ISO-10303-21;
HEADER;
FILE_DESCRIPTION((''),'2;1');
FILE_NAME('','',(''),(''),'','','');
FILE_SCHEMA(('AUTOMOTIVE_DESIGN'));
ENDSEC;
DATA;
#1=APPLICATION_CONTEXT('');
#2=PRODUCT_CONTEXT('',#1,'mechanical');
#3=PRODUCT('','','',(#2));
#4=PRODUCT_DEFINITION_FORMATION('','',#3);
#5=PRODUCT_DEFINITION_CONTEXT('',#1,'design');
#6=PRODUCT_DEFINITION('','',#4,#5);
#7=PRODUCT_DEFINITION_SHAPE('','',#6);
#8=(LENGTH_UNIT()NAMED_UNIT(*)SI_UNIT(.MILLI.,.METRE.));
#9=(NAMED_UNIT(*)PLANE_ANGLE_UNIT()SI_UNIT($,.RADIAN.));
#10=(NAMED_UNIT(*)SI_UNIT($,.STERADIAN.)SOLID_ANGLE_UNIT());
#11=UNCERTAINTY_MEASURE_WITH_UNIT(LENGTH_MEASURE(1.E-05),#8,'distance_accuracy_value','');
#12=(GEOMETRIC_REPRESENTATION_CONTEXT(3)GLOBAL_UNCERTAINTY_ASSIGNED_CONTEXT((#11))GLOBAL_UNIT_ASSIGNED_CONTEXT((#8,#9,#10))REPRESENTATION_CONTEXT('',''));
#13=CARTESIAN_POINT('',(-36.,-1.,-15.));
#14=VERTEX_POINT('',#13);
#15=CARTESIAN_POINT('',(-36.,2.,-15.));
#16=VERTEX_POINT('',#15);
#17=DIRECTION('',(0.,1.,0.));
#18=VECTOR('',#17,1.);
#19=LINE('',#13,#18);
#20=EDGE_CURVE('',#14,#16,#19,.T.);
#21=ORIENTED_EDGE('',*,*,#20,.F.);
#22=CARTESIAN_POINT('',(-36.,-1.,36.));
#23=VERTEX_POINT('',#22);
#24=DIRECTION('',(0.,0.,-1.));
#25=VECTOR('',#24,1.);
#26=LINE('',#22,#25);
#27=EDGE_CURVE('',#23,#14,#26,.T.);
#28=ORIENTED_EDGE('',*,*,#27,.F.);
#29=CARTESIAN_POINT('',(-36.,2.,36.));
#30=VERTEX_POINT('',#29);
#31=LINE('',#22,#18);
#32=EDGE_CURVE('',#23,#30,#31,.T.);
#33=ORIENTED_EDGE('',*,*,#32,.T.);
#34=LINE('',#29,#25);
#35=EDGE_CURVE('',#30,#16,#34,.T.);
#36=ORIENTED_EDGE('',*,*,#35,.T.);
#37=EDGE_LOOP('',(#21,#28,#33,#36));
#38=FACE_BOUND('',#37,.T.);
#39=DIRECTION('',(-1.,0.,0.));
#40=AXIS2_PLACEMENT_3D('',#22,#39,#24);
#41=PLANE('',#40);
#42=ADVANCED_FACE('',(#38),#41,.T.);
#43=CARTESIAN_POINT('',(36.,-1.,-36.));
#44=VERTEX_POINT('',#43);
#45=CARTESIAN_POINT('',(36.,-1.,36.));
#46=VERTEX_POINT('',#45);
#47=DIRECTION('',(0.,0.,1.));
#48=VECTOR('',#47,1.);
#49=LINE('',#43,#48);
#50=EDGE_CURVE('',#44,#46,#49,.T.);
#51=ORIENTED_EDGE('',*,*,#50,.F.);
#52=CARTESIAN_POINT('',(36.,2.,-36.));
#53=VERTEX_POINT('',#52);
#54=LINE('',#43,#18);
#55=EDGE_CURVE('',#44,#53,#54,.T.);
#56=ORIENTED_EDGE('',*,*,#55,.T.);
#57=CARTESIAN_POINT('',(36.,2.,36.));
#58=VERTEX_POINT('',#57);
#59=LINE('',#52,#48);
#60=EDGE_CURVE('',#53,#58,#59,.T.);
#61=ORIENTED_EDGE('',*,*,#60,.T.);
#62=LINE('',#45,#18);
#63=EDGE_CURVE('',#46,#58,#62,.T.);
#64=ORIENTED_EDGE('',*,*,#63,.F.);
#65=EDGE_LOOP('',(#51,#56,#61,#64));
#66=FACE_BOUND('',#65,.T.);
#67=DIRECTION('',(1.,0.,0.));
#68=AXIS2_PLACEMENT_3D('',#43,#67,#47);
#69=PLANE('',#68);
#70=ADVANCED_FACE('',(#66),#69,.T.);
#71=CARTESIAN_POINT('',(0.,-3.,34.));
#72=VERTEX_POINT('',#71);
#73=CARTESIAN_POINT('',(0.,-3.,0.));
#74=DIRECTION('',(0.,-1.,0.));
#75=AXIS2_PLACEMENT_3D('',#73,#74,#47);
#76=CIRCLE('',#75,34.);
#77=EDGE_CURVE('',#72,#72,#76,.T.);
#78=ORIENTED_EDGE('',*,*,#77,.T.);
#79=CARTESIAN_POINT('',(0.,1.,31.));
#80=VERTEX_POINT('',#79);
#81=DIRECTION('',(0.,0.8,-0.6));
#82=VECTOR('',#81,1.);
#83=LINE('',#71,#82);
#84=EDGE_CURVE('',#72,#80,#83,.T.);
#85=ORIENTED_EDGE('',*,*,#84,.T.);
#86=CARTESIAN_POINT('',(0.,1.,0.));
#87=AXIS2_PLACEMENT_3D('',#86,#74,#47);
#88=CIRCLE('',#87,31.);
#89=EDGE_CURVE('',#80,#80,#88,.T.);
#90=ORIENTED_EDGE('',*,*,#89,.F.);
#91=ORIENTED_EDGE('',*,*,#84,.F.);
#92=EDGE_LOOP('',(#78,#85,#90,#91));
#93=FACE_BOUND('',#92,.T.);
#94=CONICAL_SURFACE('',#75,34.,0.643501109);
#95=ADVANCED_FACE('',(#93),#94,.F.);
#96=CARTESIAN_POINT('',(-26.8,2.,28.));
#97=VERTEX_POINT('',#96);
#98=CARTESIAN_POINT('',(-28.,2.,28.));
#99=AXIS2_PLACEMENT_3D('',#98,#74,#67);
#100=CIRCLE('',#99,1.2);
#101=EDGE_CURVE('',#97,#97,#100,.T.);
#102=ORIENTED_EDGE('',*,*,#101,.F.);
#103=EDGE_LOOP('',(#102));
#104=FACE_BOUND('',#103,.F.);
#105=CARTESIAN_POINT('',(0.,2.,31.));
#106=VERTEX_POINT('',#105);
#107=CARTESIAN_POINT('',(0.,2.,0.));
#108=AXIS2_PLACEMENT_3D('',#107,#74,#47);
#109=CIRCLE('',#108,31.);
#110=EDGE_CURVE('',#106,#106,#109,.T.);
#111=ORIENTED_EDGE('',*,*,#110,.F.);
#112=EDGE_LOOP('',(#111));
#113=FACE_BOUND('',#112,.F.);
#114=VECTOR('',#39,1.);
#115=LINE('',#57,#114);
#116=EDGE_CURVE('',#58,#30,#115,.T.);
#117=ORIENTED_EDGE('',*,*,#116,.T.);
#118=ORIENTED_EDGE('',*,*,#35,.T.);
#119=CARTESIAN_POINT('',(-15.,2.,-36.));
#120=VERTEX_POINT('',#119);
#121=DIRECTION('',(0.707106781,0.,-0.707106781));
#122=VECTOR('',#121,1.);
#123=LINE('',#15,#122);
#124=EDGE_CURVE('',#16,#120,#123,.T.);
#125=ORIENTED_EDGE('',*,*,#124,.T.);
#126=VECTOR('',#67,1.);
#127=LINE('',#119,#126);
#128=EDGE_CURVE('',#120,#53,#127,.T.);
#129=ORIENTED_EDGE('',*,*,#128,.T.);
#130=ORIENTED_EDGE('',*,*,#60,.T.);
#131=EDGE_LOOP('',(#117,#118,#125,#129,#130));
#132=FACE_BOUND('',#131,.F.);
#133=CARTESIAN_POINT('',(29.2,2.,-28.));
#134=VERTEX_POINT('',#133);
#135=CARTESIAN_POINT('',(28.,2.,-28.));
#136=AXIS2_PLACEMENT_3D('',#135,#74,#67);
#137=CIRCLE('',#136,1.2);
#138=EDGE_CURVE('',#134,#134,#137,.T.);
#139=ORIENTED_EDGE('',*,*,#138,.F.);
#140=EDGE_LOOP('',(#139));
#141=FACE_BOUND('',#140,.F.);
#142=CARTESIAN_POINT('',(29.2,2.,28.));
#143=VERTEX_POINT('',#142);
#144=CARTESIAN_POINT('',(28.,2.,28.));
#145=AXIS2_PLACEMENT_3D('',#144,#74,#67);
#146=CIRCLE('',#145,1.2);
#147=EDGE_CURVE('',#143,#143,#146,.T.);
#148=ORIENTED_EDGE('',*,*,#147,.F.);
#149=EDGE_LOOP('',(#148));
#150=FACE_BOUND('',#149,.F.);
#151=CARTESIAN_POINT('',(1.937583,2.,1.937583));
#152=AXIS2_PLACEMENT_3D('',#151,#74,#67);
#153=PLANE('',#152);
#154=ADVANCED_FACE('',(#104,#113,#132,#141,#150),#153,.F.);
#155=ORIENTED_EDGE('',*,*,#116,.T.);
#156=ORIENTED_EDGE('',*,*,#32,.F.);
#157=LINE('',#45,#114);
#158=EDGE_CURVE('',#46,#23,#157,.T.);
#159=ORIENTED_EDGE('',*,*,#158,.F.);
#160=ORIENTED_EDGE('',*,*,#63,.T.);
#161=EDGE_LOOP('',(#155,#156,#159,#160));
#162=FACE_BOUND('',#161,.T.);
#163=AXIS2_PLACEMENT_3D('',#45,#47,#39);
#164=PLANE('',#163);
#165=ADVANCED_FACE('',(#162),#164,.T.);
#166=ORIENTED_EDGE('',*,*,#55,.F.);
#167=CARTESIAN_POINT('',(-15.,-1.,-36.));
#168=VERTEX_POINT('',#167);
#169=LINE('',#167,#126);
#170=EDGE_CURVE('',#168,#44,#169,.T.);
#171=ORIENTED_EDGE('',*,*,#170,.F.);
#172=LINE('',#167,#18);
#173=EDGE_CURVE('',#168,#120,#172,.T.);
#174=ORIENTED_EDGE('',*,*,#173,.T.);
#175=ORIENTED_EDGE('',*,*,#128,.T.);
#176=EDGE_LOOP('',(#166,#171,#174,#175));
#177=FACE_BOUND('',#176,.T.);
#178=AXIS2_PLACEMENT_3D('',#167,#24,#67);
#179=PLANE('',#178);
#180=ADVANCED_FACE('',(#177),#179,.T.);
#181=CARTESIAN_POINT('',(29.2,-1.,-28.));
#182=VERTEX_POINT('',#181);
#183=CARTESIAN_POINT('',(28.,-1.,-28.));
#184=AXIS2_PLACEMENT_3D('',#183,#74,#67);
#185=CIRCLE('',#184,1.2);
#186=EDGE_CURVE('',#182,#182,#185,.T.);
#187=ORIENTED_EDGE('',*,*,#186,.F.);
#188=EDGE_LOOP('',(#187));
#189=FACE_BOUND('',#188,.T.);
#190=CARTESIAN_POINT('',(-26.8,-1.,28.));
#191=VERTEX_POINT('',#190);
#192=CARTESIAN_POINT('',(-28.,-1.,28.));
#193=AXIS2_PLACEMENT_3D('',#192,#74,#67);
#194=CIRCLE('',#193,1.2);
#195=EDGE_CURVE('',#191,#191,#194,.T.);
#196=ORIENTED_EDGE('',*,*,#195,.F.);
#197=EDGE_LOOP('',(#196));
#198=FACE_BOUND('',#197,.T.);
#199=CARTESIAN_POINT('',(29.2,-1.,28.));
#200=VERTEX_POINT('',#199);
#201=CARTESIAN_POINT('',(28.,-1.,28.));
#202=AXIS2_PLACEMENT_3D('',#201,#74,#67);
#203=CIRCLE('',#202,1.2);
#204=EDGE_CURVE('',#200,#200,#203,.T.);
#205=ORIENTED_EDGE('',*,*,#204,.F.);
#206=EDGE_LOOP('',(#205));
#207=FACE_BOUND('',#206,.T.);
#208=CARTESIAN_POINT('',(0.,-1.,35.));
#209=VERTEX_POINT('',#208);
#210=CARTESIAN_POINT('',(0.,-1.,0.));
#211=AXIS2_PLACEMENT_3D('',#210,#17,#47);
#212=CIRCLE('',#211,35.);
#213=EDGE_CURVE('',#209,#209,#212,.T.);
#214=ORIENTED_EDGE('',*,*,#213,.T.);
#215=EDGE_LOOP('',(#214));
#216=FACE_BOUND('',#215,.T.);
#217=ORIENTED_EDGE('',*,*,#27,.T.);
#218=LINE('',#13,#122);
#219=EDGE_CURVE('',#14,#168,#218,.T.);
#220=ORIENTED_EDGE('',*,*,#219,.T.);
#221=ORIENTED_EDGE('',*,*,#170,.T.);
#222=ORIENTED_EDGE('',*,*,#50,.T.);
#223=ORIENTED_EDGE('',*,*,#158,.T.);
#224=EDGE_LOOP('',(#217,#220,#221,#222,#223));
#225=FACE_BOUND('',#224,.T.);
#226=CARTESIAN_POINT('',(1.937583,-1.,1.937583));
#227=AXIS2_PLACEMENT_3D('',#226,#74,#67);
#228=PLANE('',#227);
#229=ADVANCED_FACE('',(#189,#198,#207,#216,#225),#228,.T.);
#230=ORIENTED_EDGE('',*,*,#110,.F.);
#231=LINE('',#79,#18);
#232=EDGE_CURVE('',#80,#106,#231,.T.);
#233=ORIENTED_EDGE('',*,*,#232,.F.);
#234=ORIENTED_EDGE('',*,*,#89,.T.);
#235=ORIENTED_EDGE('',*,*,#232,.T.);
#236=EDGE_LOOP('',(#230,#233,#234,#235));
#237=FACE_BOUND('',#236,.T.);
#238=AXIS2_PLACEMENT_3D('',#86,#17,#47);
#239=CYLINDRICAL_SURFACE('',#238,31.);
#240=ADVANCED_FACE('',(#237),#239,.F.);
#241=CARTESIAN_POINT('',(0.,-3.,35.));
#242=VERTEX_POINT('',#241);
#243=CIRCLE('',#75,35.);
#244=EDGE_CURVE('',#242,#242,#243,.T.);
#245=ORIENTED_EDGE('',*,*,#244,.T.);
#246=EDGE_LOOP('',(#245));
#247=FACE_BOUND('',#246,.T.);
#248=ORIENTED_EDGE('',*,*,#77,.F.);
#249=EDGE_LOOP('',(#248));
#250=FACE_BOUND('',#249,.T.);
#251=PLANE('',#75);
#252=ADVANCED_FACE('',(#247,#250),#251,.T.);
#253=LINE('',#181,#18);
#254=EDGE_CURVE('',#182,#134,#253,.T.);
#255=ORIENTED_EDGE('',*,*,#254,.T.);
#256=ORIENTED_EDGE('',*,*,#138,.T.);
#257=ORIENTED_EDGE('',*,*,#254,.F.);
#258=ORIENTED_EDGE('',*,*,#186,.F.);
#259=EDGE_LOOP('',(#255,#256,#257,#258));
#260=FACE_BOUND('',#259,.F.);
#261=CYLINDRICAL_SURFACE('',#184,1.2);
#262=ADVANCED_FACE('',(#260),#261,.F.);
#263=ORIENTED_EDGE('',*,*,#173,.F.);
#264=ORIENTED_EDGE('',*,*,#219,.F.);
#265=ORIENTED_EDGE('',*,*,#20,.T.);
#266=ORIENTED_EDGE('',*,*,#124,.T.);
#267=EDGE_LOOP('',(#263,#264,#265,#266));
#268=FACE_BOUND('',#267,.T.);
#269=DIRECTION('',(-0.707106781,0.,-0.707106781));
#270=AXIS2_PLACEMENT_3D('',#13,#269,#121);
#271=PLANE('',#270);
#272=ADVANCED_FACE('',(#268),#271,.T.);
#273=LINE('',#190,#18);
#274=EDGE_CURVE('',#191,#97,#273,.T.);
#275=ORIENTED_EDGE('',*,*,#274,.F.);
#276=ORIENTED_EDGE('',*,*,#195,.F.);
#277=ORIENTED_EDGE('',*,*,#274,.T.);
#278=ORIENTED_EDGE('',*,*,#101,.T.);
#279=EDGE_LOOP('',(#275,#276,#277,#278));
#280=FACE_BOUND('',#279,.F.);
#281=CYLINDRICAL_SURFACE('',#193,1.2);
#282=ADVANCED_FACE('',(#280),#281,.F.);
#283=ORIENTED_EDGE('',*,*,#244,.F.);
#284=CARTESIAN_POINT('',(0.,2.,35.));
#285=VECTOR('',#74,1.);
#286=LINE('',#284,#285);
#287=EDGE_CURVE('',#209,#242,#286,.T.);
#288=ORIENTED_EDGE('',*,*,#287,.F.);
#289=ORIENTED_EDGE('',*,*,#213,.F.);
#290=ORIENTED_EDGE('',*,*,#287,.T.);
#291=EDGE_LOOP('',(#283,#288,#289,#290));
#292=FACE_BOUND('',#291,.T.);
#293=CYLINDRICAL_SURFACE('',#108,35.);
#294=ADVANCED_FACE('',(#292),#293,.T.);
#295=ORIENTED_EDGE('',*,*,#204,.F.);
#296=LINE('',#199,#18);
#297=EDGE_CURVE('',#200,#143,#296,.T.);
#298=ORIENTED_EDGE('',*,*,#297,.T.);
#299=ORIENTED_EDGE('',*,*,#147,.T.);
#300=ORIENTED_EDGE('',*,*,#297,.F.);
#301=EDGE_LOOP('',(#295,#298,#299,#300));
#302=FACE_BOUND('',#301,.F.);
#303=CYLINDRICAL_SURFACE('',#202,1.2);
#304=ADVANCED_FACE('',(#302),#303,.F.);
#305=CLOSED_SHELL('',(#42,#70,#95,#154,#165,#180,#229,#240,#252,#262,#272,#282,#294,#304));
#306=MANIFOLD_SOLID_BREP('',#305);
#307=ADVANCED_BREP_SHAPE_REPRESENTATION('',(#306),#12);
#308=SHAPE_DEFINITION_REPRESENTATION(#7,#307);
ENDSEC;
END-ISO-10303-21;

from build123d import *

# Parameters (mm, degrees)
F3_R     = 1.2
F3_R_2   = 35
F4_DEPTH = 3


with BuildPart() as f1:
    # F0 (on Right) → F1 (revolve)
    with BuildSketch(Plane.YZ):
        Polygon((2, 35), (-3, 35), (-3, 34), (1, 31), (2, 31), align=None)
    revolve(axis=Axis((0, 1.602868, 0), (0, -1, 0)))

    # F3 (on offset) → F4 (join)
    with BuildSketch(Plane.XZ.offset(1)):
        Polygon((-15, -36), (36, -36), (36, 36), (-36, 36), (-36, -15), align=None)
        with Locations((28, -28)):
            Circle(F3_R, mode=Mode.SUBTRACT)
        with Locations((-28, 28)):
            Circle(F3_R, mode=Mode.SUBTRACT)
        Circle(F3_R_2, mode=Mode.SUBTRACT)
        with Locations((28, 28)):
            Circle(F3_R, mode=Mode.SUBTRACT)
    extrude(amount=-F4_DEPTH)


solid = f1.part
